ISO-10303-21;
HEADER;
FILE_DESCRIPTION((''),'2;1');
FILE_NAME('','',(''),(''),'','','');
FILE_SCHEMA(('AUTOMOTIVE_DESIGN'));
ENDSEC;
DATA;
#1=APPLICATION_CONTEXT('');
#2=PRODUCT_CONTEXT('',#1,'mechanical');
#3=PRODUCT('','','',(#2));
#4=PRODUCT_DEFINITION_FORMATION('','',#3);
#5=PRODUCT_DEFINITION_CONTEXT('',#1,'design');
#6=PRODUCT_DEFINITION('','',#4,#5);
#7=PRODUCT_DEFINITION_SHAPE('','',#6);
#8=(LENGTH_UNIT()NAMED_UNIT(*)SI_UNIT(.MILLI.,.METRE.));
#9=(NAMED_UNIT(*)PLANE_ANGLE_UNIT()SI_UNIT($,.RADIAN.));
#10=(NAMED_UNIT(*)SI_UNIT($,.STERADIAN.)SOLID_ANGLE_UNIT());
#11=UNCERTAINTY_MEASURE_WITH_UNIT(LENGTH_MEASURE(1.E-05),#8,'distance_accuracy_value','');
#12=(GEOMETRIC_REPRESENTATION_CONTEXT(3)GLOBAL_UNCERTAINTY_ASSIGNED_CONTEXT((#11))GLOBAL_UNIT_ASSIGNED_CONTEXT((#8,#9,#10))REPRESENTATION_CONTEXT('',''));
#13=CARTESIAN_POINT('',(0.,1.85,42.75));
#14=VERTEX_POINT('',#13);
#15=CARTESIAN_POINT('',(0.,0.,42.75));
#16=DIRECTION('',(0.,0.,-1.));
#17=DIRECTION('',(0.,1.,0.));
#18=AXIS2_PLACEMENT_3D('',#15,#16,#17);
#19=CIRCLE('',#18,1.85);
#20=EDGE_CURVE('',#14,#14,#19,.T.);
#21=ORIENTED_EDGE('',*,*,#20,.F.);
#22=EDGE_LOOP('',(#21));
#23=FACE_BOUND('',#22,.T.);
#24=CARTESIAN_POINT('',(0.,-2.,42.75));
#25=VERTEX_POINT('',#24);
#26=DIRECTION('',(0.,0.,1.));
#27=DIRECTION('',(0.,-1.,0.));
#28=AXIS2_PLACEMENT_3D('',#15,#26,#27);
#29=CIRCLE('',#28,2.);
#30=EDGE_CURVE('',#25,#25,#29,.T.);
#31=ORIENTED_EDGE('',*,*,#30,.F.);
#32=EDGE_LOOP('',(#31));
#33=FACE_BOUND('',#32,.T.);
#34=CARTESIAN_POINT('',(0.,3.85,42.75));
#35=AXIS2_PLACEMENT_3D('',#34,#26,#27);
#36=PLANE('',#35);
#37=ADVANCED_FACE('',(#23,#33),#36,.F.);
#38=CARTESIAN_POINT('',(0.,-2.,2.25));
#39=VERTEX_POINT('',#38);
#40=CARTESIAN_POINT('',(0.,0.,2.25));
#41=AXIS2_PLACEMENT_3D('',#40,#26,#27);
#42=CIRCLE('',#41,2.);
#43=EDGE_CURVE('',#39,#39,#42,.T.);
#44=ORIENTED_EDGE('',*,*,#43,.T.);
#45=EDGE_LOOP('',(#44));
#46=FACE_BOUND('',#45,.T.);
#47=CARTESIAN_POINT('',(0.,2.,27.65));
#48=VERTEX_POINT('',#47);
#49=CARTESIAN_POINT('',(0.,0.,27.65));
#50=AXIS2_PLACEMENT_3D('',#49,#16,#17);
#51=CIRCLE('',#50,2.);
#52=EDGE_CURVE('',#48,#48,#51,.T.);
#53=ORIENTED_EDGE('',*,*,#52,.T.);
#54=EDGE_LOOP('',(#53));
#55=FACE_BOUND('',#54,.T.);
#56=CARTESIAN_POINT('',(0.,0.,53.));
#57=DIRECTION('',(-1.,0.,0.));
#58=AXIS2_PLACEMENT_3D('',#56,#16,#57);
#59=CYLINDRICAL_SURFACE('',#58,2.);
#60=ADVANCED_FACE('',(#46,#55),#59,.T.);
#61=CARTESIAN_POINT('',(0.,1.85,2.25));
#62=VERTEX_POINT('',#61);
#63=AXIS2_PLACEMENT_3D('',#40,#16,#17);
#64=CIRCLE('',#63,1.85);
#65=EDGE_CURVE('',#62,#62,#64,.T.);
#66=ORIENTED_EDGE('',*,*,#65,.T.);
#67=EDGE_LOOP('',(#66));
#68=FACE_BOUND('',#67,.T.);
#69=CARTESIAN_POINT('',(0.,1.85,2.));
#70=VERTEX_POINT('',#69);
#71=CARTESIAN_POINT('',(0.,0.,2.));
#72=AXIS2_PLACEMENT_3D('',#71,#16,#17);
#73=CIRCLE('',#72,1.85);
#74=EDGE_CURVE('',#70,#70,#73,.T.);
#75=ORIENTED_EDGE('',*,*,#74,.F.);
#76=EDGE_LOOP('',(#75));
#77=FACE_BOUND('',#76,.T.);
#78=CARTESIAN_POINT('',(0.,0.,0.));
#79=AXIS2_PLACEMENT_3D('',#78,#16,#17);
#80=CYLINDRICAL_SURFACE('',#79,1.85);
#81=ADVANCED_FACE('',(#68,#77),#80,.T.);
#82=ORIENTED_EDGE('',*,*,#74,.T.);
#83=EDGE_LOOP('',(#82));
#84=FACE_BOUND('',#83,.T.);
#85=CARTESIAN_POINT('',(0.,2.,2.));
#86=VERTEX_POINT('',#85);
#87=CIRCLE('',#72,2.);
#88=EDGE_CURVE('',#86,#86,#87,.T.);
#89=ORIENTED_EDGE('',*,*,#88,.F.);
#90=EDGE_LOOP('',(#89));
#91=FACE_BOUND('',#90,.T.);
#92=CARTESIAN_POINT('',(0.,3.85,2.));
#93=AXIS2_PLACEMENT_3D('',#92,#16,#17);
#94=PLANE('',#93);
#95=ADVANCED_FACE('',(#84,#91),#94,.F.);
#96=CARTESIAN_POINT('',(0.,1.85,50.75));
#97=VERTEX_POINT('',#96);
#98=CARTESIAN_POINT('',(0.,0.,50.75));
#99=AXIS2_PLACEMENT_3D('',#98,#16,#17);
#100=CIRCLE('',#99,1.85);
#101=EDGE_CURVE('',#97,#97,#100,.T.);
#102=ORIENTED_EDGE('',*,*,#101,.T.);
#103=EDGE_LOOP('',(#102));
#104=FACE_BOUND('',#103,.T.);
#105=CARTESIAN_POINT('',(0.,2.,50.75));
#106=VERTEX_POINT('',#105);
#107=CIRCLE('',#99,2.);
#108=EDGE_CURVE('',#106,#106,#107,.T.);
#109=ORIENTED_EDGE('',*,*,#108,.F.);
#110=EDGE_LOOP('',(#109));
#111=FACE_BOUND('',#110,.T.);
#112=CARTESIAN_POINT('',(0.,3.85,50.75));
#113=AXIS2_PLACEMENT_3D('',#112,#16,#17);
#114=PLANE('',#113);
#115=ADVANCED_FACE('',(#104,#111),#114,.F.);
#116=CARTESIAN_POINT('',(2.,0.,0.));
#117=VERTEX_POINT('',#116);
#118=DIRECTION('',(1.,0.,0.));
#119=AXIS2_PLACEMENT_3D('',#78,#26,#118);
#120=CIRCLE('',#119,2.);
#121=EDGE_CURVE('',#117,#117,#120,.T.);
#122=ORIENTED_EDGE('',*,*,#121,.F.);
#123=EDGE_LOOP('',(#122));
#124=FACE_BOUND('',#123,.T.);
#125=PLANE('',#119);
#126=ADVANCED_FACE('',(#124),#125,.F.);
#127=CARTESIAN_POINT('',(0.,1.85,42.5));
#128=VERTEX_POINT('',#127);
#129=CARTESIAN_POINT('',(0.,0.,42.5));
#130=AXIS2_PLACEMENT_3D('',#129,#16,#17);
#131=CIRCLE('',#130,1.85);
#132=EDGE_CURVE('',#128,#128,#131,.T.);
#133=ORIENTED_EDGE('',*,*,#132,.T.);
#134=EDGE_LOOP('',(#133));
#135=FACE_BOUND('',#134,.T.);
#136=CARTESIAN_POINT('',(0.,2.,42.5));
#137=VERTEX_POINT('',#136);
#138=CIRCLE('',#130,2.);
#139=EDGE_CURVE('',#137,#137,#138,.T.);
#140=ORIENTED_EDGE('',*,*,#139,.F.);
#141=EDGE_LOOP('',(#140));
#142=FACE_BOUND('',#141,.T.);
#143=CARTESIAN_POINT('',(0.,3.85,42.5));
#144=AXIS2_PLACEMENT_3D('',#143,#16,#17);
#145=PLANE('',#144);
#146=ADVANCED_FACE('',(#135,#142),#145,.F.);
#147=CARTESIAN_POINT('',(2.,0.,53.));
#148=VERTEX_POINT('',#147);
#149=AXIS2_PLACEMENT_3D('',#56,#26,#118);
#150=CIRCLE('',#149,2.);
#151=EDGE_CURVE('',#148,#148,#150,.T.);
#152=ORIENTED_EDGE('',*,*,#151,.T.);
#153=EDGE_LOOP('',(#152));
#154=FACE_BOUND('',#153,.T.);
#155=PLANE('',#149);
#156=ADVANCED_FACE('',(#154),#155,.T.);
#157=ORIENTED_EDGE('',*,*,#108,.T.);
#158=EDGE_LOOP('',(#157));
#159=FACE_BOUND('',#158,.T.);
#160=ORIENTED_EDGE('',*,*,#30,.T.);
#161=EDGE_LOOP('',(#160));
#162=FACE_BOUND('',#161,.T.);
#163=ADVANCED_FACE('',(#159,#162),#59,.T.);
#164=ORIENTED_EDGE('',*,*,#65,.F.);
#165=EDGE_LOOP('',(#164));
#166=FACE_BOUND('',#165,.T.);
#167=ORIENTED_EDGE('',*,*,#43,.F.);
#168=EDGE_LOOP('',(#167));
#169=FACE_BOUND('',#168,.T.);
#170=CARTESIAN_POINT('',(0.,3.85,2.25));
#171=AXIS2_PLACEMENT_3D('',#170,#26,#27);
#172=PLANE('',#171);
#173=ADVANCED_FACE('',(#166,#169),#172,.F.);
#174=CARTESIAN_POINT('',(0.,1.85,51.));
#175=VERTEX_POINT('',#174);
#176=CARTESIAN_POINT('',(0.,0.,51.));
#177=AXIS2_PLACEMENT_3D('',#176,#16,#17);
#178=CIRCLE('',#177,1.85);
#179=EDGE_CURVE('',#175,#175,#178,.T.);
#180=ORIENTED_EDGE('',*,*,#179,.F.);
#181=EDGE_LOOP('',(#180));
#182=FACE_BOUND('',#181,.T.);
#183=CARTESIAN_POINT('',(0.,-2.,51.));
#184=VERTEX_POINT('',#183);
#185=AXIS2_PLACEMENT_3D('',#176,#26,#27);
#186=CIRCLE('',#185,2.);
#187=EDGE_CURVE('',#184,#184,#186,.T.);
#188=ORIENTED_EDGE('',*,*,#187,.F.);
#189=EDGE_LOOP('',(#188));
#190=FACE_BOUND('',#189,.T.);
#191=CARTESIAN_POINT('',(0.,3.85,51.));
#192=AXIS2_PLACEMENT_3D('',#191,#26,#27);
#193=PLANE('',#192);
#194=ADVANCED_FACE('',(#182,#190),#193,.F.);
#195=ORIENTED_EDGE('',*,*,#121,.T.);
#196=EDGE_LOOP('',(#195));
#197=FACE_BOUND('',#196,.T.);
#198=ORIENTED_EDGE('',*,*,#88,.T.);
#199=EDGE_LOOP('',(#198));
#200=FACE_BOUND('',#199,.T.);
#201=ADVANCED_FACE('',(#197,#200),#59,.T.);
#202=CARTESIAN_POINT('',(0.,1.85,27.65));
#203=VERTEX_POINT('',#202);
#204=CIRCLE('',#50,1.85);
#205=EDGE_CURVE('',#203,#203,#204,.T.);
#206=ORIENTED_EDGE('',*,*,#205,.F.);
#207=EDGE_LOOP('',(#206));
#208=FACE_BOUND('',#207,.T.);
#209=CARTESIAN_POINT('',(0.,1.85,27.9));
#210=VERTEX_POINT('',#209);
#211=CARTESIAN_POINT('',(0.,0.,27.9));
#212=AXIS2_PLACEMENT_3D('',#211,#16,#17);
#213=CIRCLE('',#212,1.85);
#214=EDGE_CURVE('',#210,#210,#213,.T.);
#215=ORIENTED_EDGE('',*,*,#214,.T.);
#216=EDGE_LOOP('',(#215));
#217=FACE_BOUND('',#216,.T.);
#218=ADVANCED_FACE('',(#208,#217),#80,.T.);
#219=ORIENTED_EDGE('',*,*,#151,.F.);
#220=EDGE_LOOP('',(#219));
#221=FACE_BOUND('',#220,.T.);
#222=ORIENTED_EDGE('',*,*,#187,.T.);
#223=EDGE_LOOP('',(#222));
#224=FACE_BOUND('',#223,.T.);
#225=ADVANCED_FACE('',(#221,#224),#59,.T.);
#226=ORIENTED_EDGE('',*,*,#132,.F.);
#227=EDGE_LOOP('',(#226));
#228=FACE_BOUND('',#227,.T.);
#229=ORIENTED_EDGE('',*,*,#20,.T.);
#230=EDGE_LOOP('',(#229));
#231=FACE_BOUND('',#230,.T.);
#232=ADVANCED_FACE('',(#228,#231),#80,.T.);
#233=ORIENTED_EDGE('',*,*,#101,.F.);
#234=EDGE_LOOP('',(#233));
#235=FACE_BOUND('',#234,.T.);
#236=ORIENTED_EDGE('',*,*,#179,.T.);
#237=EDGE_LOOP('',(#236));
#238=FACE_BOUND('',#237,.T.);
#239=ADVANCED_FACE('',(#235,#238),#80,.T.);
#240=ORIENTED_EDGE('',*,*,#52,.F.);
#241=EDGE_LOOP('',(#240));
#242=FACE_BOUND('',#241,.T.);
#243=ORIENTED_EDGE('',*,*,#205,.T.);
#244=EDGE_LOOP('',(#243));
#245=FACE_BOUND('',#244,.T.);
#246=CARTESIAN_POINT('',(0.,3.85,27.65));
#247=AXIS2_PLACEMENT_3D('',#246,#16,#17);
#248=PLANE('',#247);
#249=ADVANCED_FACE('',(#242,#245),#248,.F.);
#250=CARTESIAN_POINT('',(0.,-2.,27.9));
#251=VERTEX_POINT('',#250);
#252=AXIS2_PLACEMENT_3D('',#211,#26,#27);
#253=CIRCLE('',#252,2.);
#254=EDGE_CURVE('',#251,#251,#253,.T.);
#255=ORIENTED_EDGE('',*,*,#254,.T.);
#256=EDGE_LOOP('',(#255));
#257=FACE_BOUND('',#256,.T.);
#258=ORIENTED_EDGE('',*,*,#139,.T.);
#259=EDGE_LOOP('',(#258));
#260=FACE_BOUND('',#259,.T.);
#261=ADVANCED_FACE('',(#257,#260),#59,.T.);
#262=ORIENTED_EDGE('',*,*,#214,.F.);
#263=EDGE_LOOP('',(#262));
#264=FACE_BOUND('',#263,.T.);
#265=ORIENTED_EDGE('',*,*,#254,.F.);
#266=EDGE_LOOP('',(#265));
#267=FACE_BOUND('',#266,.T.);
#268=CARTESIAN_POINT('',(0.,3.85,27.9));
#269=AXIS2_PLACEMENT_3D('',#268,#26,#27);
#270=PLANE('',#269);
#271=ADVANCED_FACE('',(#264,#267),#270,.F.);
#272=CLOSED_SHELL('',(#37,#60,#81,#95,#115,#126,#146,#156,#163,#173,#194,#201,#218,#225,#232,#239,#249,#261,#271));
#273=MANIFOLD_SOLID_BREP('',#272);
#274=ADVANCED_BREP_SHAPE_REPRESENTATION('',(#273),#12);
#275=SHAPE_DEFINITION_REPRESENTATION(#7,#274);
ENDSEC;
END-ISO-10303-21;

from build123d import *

# Parameters (mm, degrees)
CROQUIS1_R              = 2
SALIENTE_EXTRUIR1_DEPTH = 53
CROQUIS2_W              = 0.25
CROQUIS2_H              = 2


with BuildPart() as part:
    # Croquis1 → Saliente-Extruir1 (new body)
    with BuildSketch(Plane.XY):
        Circle(CROQUIS1_R)
    extrude(amount=SALIENTE_EXTRUIR1_DEPTH)

    # Croquis2 → Cortar-Revolución1 (revolve, cut)
    with BuildSketch(Plane(origin=(0, 0, 0), x_dir=(0, 0, -1), z_dir=(1, 0, 0))):
        with Locations((-50.875, 2.85)):
            Rectangle(CROQUIS2_W, CROQUIS2_H)
        with Locations((-42.625, 2.85)):
            Rectangle(CROQUIS2_W, CROQUIS2_H)
        with Locations((-2.125, 2.85)):
            Rectangle(CROQUIS2_W, CROQUIS2_H)
        with Locations((-27.775, 2.85)):
            Rectangle(CROQUIS2_W, CROQUIS2_H)
    revolve(axis=Axis((0, 0, 0), (0, 0, 1)), mode=Mode.SUBTRACT)


solid = part.part
